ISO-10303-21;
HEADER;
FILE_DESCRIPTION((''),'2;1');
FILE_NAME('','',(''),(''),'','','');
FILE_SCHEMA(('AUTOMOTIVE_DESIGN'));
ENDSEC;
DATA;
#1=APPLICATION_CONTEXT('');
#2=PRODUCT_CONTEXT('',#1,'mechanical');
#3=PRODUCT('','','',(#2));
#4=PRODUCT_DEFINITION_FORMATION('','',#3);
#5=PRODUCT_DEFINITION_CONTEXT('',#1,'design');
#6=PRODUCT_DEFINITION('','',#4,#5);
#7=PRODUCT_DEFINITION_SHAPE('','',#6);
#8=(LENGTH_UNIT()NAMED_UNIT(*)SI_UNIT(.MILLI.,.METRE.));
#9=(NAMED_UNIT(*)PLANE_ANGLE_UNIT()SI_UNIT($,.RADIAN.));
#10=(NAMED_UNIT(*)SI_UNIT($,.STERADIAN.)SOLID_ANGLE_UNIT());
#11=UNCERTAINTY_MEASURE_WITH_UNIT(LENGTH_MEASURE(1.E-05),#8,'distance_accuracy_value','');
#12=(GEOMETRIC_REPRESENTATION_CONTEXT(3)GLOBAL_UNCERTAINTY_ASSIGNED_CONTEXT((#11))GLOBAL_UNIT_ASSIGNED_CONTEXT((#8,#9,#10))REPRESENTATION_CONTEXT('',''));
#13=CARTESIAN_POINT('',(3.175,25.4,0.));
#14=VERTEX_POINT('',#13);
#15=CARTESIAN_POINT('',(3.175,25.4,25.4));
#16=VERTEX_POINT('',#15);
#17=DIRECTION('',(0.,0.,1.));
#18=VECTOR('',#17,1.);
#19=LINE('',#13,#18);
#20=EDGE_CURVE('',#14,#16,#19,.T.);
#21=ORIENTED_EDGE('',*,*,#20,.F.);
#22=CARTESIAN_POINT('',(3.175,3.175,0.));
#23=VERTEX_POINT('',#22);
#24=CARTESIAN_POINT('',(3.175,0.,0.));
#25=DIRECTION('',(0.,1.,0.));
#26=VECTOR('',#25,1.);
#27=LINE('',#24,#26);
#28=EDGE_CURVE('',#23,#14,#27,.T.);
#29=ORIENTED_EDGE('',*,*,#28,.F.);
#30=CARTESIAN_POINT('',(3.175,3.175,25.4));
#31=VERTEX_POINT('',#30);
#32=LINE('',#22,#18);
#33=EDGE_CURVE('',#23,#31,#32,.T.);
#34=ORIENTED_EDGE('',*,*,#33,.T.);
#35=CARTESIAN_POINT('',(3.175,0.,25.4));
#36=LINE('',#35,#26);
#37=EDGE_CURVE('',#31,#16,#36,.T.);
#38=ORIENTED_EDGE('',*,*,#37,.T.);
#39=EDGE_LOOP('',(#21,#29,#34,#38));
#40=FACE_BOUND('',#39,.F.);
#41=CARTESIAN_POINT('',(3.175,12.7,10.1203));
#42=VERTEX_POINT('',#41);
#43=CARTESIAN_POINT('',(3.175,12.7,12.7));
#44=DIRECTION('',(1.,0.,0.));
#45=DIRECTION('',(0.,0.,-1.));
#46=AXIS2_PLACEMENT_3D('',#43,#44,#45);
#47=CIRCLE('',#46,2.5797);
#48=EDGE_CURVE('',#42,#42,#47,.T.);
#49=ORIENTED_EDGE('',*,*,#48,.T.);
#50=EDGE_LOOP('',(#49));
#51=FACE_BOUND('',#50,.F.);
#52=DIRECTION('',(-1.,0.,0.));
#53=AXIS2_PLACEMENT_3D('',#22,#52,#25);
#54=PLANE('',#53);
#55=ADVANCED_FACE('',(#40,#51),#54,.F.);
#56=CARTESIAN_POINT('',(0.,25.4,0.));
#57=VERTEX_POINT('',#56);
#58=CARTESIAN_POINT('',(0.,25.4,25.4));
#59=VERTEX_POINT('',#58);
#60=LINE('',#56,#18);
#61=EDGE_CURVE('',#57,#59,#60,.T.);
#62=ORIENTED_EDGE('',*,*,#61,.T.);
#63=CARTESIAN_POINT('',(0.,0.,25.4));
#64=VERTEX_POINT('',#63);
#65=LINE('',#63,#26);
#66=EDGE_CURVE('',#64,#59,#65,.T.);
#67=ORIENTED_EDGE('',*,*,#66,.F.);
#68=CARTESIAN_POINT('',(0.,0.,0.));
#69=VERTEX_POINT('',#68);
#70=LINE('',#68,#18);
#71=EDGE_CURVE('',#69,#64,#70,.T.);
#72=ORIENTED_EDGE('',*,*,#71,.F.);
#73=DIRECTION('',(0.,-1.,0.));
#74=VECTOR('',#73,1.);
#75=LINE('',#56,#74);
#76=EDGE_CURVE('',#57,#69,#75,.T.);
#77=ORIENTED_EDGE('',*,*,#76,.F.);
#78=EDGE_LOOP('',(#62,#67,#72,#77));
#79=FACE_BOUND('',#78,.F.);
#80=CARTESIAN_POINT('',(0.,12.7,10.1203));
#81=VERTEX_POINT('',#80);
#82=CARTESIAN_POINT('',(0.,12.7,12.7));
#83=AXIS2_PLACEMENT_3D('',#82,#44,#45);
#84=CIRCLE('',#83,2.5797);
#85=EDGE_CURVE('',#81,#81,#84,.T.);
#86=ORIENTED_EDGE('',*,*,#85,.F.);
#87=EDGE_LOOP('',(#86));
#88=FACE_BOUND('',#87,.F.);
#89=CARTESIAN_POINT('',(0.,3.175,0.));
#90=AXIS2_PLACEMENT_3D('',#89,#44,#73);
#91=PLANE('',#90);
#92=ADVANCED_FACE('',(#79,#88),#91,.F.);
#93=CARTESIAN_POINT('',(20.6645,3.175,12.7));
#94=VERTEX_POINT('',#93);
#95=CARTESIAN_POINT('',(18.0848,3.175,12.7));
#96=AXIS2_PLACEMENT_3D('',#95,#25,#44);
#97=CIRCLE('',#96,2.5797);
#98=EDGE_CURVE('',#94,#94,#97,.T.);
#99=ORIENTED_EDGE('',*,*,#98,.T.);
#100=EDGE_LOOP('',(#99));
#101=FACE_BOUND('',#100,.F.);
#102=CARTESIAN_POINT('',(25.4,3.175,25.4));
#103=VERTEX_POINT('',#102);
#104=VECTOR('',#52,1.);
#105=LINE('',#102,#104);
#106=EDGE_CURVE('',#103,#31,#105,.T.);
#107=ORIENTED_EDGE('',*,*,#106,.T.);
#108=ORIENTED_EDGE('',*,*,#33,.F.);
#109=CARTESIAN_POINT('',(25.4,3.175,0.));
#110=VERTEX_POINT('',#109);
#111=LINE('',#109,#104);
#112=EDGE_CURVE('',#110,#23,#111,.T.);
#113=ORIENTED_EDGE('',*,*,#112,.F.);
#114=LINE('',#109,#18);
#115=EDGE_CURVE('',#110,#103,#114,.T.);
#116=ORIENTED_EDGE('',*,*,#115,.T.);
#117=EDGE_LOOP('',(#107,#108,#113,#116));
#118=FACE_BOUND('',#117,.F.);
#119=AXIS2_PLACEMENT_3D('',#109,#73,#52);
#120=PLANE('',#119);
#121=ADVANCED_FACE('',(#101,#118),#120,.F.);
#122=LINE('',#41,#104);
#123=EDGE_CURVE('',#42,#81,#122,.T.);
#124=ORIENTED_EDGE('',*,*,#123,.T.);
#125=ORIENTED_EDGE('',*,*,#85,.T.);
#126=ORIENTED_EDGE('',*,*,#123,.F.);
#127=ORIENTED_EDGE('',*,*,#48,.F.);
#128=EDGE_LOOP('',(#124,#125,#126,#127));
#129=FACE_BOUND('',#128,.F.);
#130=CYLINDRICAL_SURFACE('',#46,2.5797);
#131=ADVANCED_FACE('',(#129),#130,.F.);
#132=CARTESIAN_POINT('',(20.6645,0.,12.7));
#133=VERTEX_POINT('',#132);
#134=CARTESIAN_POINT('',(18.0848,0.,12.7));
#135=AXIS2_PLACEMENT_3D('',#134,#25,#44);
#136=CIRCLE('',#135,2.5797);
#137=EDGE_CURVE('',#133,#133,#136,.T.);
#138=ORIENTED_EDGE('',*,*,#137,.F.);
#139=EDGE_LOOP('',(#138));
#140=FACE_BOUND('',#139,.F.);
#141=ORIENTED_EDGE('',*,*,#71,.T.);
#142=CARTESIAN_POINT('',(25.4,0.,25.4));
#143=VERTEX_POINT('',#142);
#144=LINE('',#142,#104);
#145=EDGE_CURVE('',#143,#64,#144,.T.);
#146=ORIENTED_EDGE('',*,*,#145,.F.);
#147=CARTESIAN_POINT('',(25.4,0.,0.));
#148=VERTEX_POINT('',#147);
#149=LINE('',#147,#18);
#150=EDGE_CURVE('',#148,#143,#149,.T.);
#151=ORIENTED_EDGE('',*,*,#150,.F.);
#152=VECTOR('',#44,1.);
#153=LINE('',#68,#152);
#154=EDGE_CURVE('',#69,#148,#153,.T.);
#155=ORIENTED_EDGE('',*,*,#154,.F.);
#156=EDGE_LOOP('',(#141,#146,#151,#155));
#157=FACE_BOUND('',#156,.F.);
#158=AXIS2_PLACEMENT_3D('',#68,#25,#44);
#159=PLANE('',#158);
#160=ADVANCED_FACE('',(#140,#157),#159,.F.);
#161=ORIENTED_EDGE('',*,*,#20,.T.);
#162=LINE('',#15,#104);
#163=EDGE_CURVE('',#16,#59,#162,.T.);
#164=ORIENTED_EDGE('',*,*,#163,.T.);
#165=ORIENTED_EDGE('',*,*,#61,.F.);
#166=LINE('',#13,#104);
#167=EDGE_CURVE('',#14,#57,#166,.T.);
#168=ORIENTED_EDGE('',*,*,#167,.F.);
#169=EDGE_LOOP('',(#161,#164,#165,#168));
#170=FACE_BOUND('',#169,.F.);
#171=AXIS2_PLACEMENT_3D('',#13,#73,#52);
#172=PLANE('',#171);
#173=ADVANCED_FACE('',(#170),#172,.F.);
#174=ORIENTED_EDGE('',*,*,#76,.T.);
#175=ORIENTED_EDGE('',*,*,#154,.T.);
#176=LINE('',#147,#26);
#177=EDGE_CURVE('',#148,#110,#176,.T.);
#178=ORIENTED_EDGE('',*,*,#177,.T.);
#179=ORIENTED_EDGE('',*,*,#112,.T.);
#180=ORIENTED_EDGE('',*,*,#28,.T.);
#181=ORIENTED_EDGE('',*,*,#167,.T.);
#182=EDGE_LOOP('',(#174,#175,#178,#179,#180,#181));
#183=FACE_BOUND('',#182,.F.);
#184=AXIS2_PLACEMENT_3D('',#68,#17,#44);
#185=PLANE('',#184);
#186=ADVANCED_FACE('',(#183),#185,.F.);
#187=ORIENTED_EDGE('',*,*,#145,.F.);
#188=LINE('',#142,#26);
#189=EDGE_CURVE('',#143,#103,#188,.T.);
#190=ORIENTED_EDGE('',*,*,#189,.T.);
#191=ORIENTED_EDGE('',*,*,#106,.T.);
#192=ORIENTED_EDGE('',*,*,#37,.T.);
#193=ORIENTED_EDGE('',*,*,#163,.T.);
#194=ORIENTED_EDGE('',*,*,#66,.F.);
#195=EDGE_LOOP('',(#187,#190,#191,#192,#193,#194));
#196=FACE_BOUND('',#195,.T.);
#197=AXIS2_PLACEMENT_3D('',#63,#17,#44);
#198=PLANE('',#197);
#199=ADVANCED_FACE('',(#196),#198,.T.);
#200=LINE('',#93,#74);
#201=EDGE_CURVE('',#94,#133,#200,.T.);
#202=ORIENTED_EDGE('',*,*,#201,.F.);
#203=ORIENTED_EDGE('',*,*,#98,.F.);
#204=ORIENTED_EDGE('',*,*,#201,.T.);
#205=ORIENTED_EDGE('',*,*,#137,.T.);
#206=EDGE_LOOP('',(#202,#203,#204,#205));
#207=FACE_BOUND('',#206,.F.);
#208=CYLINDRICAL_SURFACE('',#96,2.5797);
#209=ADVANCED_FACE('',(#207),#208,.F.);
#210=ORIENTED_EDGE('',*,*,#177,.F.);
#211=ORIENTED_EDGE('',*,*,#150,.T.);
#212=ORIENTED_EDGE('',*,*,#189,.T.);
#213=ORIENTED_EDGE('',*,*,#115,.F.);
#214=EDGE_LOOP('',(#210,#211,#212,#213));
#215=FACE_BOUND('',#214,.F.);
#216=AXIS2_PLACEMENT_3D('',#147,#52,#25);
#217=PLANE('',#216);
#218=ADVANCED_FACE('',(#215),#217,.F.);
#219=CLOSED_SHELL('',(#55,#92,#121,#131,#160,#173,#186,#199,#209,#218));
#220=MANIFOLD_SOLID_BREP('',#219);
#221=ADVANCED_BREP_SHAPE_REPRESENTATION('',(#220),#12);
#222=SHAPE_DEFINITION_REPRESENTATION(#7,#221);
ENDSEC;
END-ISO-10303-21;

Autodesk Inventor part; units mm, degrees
ref_plane "YZ Plane" through (0, 0, 0) normal (1, 0, 0) x (0, 1, 0)
ref_plane "XZ Plane" through (0, 0, 0) normal (0, 1, 0) x (-1, 0, 0)
ref_plane "XY Plane" through (0, 0, 0) normal (0, 0, 1) x (1, 0, 0)
sketch "Sketch1" plane through (0, 0, 0) normal (0, 0, 1) x (1, 0, 0)
  line L0 (0, 0) -> (3.175, 0)
  line L1 (3.175, 0) -> (3.175, 25.4)
  line L2 (3.175, 25.4) -> (0, 25.4)
  line L3 (0, 25.4) -> (0, 0)
  line L4 (0, 0) -> (25.4, 0)
  line L5 (25.4, 0) -> (25.4, 3.175)
  line L6 (25.4, 3.175) -> (0, 3.175)
  line L7 (0, 3.175) -> (0, 0)
  dimension "d0" = 3.175
  dimension "d1" = 25.4
  dimension "d2" = 25.4
  dimension "d3" = 3.175
extrude "Extrusion1" add sketch "Sketch1" along normal blind 25.4
sketch "Sketch2" plane through (3.175, 3.175, 0) normal (1, 0, 0) x (0, 0, -1)
  line L0 (0, 22.225) -> (-25.4, 22.225) construction
  line L1 (-12.7, 22.225) -> (-12.7, 9.525) construction
  circle A0 centre (-12.7, 9.525) radius 2.5797
  point P0 (0, -3.175)
  dimension "d6" = 12.7
  dimension "d7" = 5.1594
extrude "Extrusion2" cut sketch "Sketch2" against normal blind 25.4
sketch "Sketch3" plane through (3.175, 3.175, 0) normal (0, 1, 0) x (1, 0, 0)
  line L0 (-3.175, 0) -> (-3.175, -25.4) construction
  line L1 (-3.175, -12.7) -> (14.9098, -12.7) construction
  circle A0 centre (14.9098, -12.7) radius 2.5797
  dimension "d10" = 18.0848
  dimension "d11" = 5.1594
extrude "Extrusion3" cut sketch "Sketch3" against normal blind 25.4
properties part number "L-Bracket Gearbox"
